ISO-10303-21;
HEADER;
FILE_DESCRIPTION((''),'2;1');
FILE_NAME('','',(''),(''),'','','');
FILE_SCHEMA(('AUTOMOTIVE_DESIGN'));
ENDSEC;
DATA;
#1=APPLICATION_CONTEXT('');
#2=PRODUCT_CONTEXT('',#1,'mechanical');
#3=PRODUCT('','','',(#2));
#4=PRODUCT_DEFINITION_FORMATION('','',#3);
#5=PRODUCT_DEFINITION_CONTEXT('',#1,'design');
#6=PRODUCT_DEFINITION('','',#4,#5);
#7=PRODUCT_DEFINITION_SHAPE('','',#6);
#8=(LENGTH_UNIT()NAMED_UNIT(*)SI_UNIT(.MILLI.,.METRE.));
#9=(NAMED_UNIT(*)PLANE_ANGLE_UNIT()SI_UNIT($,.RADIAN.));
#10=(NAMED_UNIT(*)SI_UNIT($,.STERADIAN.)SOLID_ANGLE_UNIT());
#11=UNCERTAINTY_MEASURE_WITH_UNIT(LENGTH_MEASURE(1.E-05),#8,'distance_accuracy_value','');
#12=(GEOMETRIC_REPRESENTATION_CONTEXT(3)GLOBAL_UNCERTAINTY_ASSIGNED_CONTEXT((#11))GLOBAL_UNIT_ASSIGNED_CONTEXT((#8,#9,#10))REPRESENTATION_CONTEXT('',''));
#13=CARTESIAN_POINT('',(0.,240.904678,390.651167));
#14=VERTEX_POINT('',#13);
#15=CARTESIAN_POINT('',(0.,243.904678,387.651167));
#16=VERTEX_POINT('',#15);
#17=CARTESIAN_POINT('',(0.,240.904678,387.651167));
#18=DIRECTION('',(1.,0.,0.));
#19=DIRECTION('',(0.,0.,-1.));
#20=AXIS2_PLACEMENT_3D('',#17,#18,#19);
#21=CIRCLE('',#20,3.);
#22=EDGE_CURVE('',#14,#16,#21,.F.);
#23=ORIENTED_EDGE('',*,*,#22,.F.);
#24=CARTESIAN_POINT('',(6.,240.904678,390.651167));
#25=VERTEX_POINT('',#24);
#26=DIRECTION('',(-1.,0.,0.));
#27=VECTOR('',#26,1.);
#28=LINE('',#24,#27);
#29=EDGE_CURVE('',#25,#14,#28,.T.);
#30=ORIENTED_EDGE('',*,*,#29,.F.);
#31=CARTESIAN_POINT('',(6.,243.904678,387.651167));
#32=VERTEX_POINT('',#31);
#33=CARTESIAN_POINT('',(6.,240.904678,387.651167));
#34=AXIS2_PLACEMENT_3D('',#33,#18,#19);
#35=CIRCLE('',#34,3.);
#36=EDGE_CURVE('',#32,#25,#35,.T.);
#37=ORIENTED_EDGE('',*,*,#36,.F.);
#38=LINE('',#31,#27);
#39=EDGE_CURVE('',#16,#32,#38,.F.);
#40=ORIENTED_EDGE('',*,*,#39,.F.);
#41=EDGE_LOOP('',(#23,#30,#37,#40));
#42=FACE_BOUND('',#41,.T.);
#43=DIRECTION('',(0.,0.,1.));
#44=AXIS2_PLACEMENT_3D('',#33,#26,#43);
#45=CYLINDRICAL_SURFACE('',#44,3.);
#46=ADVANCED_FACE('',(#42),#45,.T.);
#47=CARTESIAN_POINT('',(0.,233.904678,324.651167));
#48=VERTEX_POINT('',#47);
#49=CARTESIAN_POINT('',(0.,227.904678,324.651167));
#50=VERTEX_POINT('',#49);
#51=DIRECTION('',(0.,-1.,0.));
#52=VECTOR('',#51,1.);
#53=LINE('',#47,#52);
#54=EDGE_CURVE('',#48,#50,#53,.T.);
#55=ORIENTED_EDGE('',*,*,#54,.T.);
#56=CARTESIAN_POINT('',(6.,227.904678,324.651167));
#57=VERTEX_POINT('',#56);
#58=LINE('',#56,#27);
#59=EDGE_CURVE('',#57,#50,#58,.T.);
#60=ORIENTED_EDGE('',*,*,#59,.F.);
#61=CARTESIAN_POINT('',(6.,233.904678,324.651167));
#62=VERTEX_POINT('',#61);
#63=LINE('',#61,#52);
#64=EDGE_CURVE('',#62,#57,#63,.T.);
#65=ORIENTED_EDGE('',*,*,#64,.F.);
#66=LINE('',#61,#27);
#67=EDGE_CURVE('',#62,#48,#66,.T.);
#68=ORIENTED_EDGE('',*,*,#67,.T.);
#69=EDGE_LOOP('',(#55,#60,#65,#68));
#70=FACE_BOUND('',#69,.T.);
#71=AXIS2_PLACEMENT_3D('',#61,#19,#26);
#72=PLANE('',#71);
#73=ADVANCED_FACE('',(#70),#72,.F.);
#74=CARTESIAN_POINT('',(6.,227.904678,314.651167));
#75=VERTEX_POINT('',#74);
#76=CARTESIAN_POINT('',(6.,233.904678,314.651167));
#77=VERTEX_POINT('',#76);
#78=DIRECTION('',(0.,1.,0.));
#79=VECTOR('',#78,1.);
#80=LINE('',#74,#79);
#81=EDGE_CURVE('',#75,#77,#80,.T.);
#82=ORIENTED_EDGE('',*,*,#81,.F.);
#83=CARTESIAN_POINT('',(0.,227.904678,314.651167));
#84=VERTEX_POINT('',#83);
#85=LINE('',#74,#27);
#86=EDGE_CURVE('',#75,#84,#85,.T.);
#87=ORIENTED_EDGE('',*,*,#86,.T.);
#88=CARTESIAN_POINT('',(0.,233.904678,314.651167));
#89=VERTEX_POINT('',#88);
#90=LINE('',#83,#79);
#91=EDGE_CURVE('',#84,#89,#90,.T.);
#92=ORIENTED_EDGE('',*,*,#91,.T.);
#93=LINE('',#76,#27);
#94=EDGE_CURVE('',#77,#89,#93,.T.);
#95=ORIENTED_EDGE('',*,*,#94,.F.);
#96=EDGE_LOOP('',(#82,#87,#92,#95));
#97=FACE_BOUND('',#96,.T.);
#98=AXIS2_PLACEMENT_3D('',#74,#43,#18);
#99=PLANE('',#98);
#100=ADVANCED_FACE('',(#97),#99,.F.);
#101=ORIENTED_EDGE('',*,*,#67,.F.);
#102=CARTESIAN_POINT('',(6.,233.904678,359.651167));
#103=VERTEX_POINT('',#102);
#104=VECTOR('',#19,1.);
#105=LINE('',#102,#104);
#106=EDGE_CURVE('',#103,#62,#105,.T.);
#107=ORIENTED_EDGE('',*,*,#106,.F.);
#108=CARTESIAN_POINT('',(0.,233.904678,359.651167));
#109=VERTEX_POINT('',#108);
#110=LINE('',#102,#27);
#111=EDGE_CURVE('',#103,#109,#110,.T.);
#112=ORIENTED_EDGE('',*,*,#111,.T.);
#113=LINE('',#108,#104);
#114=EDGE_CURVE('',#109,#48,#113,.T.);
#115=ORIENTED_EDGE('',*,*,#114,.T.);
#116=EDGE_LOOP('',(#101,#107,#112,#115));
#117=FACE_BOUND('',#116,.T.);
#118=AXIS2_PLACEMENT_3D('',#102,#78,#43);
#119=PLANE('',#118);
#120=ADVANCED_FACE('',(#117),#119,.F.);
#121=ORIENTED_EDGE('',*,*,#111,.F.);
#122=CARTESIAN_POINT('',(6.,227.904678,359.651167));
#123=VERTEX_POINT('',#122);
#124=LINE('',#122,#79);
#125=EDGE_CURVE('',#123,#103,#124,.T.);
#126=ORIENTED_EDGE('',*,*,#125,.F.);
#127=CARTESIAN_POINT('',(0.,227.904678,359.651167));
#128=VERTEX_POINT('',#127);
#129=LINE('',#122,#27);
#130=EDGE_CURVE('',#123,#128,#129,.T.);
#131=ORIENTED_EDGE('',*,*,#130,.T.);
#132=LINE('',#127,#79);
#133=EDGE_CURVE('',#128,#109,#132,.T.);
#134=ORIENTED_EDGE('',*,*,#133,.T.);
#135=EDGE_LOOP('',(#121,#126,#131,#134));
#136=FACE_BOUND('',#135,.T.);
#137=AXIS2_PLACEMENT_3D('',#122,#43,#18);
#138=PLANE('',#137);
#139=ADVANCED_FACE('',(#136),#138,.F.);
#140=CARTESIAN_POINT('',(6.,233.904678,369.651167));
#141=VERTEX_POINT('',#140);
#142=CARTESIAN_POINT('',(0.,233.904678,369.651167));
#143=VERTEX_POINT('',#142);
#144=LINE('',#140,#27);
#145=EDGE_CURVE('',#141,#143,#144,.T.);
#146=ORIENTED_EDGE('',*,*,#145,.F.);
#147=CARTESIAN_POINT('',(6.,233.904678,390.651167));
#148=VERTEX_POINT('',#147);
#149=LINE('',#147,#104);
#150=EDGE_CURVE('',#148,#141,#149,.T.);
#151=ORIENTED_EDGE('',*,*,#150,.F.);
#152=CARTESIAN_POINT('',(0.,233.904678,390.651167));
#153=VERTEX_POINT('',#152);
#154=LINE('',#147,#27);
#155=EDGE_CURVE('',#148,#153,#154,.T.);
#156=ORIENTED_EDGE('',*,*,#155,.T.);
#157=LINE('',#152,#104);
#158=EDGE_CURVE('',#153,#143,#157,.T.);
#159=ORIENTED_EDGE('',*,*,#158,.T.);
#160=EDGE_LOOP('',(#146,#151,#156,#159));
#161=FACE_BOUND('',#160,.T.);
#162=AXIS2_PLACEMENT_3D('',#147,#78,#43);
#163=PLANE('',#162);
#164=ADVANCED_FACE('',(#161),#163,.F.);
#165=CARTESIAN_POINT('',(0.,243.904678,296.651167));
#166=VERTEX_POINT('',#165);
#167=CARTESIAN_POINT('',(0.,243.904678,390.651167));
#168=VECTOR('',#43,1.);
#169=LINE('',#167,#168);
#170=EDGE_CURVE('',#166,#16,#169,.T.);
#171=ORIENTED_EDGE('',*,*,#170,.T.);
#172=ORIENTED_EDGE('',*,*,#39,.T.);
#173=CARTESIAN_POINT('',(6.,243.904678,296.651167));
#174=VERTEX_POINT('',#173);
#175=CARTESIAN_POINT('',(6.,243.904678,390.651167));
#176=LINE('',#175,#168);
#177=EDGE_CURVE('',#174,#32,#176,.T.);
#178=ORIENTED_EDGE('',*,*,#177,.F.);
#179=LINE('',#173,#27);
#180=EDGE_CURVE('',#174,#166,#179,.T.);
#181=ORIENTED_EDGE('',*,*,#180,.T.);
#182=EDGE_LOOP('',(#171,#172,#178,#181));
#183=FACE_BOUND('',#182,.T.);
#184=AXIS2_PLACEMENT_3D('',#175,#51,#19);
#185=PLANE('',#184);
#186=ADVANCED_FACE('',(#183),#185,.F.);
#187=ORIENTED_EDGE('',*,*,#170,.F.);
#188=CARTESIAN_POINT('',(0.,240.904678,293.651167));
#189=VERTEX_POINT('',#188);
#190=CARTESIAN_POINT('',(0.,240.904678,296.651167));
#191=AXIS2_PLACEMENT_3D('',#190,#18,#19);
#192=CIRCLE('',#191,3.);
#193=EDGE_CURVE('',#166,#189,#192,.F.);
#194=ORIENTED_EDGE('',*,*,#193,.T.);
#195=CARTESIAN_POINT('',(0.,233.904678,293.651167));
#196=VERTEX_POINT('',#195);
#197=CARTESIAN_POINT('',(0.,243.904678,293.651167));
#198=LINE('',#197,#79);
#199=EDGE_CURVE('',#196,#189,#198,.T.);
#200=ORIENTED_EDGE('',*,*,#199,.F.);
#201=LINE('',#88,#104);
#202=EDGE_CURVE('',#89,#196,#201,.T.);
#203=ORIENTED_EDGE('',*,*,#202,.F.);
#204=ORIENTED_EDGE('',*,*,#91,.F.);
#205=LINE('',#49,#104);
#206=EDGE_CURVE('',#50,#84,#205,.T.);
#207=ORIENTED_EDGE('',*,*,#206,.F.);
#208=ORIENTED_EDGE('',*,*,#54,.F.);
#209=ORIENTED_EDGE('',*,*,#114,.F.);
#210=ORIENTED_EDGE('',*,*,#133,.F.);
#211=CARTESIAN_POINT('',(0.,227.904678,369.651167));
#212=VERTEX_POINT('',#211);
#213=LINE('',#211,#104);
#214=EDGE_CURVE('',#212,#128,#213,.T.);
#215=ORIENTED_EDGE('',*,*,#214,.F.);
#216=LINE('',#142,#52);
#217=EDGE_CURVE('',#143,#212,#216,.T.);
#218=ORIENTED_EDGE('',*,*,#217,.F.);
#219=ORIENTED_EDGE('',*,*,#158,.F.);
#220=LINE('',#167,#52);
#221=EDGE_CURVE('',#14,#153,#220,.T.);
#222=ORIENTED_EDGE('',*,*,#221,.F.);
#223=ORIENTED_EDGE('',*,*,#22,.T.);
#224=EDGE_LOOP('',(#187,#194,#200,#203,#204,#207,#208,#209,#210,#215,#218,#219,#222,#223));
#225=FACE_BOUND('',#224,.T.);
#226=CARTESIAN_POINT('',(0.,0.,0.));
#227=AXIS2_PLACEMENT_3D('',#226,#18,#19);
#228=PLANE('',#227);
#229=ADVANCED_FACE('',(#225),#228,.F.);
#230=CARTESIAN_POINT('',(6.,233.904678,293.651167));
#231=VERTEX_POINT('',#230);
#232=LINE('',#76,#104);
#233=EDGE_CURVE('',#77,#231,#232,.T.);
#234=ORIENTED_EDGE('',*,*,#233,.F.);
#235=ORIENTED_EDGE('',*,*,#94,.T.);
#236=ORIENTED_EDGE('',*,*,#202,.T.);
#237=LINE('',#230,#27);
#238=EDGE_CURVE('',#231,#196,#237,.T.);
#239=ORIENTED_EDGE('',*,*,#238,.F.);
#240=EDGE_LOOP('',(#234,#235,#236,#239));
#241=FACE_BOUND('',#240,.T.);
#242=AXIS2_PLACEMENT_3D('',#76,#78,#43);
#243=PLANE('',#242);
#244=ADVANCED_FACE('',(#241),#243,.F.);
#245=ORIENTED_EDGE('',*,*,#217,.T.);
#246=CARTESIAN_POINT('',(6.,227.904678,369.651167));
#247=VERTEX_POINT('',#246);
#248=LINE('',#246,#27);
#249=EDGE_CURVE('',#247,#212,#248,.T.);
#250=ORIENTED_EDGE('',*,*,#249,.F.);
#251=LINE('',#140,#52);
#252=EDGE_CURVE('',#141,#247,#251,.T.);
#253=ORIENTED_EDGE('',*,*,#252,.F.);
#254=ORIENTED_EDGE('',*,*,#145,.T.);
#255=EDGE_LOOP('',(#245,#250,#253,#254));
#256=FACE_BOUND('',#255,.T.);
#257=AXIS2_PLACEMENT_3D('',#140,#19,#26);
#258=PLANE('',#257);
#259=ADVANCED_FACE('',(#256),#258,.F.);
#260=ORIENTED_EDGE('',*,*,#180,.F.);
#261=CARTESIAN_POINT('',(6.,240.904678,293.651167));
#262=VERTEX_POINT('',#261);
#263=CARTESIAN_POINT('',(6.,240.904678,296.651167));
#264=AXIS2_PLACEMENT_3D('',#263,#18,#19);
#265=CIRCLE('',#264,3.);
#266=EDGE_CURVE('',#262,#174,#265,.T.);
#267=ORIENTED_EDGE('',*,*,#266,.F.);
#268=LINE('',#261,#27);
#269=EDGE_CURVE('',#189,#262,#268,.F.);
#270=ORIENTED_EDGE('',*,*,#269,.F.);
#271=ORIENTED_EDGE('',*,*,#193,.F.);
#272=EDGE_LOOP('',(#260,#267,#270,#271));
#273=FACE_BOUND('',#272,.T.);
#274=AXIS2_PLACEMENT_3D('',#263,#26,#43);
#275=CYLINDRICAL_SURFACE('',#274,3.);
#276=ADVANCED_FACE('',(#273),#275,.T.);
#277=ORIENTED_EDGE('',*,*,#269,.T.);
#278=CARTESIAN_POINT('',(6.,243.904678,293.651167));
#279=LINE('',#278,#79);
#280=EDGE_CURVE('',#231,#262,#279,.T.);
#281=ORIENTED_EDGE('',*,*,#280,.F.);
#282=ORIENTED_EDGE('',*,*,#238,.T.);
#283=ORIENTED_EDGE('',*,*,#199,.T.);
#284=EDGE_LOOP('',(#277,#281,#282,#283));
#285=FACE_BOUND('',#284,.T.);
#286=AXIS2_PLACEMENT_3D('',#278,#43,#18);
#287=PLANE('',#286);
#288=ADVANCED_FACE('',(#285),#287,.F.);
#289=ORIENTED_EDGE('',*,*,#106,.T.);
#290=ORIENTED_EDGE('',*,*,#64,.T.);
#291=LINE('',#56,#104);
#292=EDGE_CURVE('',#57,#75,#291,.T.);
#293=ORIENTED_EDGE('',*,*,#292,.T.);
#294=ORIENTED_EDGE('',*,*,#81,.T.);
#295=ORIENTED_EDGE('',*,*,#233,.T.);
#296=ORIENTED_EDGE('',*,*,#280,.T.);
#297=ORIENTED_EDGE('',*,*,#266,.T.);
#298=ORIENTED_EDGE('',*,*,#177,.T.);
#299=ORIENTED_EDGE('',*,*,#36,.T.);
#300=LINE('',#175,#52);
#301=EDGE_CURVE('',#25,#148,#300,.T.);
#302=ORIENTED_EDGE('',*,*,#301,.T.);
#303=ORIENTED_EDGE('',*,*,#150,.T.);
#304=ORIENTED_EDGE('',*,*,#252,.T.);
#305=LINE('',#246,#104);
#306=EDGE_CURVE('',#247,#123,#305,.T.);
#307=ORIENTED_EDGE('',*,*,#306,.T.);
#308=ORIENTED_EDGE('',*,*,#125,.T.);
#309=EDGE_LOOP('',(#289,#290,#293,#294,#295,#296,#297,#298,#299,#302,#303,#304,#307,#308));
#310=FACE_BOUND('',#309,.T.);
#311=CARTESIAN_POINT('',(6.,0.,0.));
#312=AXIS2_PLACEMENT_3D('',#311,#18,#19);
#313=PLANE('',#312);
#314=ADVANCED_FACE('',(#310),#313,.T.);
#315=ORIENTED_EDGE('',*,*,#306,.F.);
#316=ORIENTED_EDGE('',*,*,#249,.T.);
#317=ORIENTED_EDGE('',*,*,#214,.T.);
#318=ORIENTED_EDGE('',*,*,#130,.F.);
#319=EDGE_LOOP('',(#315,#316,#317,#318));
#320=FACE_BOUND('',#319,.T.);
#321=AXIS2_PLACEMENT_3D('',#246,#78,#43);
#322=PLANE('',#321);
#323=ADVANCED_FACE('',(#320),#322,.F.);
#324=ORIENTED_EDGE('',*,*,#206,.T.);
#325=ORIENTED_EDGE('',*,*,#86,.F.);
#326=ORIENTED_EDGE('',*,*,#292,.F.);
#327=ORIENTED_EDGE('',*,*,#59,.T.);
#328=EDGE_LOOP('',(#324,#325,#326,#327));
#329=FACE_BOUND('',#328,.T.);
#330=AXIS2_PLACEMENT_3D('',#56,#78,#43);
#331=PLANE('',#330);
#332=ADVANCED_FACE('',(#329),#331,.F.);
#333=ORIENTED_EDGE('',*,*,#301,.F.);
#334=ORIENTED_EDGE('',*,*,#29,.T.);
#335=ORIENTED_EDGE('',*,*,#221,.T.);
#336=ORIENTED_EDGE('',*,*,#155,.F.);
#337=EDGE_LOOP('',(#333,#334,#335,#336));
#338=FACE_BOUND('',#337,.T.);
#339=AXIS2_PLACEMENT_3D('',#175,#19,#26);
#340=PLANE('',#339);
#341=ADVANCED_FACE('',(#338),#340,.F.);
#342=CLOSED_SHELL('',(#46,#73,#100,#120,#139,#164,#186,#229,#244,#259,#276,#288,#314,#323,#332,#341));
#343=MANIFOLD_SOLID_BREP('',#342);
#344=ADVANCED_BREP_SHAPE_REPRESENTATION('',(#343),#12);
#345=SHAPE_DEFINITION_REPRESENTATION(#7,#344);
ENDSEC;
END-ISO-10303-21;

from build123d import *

# Parameters (mm, degrees)
BOSS_EXTRUDE1_DEPTH = 6
FILLET1_R           = 3


with BuildPart() as part:
    # Sketch1 → Boss-Extrude1 (new body)
    with BuildSketch(Plane(origin=(0, 0, 0), x_dir=(0, 0, -1), z_dir=(1, 0, 0))):
        Polygon((-390.651166818, 243.904678423), (-293.651166818, 243.904678423), (-293.651166818, 233.904678423), (-314.651166818, 233.904678423), (-314.651166818, 227.904678423), (-324.651166818, 227.904678423), (-324.651166818, 233.904678423), (-359.651166818, 233.904678423), (-359.651166818, 227.904678423), (-369.651166818, 227.904678423), (-369.651166818, 233.904678423), (-390.651166818, 233.904678423), align=None)
    extrude(amount=BOSS_EXTRUDE1_DEPTH)

    # Fillet1
    fillet1_edges = [part.edges().sort_by_distance(p)[0] for p in [
        (3, 243.904678423, 390.651166818),
        (3, 243.904678423, 293.651166818),
    ]]
    fillet(fillet1_edges, radius=FILLET1_R)


solid = part.part
